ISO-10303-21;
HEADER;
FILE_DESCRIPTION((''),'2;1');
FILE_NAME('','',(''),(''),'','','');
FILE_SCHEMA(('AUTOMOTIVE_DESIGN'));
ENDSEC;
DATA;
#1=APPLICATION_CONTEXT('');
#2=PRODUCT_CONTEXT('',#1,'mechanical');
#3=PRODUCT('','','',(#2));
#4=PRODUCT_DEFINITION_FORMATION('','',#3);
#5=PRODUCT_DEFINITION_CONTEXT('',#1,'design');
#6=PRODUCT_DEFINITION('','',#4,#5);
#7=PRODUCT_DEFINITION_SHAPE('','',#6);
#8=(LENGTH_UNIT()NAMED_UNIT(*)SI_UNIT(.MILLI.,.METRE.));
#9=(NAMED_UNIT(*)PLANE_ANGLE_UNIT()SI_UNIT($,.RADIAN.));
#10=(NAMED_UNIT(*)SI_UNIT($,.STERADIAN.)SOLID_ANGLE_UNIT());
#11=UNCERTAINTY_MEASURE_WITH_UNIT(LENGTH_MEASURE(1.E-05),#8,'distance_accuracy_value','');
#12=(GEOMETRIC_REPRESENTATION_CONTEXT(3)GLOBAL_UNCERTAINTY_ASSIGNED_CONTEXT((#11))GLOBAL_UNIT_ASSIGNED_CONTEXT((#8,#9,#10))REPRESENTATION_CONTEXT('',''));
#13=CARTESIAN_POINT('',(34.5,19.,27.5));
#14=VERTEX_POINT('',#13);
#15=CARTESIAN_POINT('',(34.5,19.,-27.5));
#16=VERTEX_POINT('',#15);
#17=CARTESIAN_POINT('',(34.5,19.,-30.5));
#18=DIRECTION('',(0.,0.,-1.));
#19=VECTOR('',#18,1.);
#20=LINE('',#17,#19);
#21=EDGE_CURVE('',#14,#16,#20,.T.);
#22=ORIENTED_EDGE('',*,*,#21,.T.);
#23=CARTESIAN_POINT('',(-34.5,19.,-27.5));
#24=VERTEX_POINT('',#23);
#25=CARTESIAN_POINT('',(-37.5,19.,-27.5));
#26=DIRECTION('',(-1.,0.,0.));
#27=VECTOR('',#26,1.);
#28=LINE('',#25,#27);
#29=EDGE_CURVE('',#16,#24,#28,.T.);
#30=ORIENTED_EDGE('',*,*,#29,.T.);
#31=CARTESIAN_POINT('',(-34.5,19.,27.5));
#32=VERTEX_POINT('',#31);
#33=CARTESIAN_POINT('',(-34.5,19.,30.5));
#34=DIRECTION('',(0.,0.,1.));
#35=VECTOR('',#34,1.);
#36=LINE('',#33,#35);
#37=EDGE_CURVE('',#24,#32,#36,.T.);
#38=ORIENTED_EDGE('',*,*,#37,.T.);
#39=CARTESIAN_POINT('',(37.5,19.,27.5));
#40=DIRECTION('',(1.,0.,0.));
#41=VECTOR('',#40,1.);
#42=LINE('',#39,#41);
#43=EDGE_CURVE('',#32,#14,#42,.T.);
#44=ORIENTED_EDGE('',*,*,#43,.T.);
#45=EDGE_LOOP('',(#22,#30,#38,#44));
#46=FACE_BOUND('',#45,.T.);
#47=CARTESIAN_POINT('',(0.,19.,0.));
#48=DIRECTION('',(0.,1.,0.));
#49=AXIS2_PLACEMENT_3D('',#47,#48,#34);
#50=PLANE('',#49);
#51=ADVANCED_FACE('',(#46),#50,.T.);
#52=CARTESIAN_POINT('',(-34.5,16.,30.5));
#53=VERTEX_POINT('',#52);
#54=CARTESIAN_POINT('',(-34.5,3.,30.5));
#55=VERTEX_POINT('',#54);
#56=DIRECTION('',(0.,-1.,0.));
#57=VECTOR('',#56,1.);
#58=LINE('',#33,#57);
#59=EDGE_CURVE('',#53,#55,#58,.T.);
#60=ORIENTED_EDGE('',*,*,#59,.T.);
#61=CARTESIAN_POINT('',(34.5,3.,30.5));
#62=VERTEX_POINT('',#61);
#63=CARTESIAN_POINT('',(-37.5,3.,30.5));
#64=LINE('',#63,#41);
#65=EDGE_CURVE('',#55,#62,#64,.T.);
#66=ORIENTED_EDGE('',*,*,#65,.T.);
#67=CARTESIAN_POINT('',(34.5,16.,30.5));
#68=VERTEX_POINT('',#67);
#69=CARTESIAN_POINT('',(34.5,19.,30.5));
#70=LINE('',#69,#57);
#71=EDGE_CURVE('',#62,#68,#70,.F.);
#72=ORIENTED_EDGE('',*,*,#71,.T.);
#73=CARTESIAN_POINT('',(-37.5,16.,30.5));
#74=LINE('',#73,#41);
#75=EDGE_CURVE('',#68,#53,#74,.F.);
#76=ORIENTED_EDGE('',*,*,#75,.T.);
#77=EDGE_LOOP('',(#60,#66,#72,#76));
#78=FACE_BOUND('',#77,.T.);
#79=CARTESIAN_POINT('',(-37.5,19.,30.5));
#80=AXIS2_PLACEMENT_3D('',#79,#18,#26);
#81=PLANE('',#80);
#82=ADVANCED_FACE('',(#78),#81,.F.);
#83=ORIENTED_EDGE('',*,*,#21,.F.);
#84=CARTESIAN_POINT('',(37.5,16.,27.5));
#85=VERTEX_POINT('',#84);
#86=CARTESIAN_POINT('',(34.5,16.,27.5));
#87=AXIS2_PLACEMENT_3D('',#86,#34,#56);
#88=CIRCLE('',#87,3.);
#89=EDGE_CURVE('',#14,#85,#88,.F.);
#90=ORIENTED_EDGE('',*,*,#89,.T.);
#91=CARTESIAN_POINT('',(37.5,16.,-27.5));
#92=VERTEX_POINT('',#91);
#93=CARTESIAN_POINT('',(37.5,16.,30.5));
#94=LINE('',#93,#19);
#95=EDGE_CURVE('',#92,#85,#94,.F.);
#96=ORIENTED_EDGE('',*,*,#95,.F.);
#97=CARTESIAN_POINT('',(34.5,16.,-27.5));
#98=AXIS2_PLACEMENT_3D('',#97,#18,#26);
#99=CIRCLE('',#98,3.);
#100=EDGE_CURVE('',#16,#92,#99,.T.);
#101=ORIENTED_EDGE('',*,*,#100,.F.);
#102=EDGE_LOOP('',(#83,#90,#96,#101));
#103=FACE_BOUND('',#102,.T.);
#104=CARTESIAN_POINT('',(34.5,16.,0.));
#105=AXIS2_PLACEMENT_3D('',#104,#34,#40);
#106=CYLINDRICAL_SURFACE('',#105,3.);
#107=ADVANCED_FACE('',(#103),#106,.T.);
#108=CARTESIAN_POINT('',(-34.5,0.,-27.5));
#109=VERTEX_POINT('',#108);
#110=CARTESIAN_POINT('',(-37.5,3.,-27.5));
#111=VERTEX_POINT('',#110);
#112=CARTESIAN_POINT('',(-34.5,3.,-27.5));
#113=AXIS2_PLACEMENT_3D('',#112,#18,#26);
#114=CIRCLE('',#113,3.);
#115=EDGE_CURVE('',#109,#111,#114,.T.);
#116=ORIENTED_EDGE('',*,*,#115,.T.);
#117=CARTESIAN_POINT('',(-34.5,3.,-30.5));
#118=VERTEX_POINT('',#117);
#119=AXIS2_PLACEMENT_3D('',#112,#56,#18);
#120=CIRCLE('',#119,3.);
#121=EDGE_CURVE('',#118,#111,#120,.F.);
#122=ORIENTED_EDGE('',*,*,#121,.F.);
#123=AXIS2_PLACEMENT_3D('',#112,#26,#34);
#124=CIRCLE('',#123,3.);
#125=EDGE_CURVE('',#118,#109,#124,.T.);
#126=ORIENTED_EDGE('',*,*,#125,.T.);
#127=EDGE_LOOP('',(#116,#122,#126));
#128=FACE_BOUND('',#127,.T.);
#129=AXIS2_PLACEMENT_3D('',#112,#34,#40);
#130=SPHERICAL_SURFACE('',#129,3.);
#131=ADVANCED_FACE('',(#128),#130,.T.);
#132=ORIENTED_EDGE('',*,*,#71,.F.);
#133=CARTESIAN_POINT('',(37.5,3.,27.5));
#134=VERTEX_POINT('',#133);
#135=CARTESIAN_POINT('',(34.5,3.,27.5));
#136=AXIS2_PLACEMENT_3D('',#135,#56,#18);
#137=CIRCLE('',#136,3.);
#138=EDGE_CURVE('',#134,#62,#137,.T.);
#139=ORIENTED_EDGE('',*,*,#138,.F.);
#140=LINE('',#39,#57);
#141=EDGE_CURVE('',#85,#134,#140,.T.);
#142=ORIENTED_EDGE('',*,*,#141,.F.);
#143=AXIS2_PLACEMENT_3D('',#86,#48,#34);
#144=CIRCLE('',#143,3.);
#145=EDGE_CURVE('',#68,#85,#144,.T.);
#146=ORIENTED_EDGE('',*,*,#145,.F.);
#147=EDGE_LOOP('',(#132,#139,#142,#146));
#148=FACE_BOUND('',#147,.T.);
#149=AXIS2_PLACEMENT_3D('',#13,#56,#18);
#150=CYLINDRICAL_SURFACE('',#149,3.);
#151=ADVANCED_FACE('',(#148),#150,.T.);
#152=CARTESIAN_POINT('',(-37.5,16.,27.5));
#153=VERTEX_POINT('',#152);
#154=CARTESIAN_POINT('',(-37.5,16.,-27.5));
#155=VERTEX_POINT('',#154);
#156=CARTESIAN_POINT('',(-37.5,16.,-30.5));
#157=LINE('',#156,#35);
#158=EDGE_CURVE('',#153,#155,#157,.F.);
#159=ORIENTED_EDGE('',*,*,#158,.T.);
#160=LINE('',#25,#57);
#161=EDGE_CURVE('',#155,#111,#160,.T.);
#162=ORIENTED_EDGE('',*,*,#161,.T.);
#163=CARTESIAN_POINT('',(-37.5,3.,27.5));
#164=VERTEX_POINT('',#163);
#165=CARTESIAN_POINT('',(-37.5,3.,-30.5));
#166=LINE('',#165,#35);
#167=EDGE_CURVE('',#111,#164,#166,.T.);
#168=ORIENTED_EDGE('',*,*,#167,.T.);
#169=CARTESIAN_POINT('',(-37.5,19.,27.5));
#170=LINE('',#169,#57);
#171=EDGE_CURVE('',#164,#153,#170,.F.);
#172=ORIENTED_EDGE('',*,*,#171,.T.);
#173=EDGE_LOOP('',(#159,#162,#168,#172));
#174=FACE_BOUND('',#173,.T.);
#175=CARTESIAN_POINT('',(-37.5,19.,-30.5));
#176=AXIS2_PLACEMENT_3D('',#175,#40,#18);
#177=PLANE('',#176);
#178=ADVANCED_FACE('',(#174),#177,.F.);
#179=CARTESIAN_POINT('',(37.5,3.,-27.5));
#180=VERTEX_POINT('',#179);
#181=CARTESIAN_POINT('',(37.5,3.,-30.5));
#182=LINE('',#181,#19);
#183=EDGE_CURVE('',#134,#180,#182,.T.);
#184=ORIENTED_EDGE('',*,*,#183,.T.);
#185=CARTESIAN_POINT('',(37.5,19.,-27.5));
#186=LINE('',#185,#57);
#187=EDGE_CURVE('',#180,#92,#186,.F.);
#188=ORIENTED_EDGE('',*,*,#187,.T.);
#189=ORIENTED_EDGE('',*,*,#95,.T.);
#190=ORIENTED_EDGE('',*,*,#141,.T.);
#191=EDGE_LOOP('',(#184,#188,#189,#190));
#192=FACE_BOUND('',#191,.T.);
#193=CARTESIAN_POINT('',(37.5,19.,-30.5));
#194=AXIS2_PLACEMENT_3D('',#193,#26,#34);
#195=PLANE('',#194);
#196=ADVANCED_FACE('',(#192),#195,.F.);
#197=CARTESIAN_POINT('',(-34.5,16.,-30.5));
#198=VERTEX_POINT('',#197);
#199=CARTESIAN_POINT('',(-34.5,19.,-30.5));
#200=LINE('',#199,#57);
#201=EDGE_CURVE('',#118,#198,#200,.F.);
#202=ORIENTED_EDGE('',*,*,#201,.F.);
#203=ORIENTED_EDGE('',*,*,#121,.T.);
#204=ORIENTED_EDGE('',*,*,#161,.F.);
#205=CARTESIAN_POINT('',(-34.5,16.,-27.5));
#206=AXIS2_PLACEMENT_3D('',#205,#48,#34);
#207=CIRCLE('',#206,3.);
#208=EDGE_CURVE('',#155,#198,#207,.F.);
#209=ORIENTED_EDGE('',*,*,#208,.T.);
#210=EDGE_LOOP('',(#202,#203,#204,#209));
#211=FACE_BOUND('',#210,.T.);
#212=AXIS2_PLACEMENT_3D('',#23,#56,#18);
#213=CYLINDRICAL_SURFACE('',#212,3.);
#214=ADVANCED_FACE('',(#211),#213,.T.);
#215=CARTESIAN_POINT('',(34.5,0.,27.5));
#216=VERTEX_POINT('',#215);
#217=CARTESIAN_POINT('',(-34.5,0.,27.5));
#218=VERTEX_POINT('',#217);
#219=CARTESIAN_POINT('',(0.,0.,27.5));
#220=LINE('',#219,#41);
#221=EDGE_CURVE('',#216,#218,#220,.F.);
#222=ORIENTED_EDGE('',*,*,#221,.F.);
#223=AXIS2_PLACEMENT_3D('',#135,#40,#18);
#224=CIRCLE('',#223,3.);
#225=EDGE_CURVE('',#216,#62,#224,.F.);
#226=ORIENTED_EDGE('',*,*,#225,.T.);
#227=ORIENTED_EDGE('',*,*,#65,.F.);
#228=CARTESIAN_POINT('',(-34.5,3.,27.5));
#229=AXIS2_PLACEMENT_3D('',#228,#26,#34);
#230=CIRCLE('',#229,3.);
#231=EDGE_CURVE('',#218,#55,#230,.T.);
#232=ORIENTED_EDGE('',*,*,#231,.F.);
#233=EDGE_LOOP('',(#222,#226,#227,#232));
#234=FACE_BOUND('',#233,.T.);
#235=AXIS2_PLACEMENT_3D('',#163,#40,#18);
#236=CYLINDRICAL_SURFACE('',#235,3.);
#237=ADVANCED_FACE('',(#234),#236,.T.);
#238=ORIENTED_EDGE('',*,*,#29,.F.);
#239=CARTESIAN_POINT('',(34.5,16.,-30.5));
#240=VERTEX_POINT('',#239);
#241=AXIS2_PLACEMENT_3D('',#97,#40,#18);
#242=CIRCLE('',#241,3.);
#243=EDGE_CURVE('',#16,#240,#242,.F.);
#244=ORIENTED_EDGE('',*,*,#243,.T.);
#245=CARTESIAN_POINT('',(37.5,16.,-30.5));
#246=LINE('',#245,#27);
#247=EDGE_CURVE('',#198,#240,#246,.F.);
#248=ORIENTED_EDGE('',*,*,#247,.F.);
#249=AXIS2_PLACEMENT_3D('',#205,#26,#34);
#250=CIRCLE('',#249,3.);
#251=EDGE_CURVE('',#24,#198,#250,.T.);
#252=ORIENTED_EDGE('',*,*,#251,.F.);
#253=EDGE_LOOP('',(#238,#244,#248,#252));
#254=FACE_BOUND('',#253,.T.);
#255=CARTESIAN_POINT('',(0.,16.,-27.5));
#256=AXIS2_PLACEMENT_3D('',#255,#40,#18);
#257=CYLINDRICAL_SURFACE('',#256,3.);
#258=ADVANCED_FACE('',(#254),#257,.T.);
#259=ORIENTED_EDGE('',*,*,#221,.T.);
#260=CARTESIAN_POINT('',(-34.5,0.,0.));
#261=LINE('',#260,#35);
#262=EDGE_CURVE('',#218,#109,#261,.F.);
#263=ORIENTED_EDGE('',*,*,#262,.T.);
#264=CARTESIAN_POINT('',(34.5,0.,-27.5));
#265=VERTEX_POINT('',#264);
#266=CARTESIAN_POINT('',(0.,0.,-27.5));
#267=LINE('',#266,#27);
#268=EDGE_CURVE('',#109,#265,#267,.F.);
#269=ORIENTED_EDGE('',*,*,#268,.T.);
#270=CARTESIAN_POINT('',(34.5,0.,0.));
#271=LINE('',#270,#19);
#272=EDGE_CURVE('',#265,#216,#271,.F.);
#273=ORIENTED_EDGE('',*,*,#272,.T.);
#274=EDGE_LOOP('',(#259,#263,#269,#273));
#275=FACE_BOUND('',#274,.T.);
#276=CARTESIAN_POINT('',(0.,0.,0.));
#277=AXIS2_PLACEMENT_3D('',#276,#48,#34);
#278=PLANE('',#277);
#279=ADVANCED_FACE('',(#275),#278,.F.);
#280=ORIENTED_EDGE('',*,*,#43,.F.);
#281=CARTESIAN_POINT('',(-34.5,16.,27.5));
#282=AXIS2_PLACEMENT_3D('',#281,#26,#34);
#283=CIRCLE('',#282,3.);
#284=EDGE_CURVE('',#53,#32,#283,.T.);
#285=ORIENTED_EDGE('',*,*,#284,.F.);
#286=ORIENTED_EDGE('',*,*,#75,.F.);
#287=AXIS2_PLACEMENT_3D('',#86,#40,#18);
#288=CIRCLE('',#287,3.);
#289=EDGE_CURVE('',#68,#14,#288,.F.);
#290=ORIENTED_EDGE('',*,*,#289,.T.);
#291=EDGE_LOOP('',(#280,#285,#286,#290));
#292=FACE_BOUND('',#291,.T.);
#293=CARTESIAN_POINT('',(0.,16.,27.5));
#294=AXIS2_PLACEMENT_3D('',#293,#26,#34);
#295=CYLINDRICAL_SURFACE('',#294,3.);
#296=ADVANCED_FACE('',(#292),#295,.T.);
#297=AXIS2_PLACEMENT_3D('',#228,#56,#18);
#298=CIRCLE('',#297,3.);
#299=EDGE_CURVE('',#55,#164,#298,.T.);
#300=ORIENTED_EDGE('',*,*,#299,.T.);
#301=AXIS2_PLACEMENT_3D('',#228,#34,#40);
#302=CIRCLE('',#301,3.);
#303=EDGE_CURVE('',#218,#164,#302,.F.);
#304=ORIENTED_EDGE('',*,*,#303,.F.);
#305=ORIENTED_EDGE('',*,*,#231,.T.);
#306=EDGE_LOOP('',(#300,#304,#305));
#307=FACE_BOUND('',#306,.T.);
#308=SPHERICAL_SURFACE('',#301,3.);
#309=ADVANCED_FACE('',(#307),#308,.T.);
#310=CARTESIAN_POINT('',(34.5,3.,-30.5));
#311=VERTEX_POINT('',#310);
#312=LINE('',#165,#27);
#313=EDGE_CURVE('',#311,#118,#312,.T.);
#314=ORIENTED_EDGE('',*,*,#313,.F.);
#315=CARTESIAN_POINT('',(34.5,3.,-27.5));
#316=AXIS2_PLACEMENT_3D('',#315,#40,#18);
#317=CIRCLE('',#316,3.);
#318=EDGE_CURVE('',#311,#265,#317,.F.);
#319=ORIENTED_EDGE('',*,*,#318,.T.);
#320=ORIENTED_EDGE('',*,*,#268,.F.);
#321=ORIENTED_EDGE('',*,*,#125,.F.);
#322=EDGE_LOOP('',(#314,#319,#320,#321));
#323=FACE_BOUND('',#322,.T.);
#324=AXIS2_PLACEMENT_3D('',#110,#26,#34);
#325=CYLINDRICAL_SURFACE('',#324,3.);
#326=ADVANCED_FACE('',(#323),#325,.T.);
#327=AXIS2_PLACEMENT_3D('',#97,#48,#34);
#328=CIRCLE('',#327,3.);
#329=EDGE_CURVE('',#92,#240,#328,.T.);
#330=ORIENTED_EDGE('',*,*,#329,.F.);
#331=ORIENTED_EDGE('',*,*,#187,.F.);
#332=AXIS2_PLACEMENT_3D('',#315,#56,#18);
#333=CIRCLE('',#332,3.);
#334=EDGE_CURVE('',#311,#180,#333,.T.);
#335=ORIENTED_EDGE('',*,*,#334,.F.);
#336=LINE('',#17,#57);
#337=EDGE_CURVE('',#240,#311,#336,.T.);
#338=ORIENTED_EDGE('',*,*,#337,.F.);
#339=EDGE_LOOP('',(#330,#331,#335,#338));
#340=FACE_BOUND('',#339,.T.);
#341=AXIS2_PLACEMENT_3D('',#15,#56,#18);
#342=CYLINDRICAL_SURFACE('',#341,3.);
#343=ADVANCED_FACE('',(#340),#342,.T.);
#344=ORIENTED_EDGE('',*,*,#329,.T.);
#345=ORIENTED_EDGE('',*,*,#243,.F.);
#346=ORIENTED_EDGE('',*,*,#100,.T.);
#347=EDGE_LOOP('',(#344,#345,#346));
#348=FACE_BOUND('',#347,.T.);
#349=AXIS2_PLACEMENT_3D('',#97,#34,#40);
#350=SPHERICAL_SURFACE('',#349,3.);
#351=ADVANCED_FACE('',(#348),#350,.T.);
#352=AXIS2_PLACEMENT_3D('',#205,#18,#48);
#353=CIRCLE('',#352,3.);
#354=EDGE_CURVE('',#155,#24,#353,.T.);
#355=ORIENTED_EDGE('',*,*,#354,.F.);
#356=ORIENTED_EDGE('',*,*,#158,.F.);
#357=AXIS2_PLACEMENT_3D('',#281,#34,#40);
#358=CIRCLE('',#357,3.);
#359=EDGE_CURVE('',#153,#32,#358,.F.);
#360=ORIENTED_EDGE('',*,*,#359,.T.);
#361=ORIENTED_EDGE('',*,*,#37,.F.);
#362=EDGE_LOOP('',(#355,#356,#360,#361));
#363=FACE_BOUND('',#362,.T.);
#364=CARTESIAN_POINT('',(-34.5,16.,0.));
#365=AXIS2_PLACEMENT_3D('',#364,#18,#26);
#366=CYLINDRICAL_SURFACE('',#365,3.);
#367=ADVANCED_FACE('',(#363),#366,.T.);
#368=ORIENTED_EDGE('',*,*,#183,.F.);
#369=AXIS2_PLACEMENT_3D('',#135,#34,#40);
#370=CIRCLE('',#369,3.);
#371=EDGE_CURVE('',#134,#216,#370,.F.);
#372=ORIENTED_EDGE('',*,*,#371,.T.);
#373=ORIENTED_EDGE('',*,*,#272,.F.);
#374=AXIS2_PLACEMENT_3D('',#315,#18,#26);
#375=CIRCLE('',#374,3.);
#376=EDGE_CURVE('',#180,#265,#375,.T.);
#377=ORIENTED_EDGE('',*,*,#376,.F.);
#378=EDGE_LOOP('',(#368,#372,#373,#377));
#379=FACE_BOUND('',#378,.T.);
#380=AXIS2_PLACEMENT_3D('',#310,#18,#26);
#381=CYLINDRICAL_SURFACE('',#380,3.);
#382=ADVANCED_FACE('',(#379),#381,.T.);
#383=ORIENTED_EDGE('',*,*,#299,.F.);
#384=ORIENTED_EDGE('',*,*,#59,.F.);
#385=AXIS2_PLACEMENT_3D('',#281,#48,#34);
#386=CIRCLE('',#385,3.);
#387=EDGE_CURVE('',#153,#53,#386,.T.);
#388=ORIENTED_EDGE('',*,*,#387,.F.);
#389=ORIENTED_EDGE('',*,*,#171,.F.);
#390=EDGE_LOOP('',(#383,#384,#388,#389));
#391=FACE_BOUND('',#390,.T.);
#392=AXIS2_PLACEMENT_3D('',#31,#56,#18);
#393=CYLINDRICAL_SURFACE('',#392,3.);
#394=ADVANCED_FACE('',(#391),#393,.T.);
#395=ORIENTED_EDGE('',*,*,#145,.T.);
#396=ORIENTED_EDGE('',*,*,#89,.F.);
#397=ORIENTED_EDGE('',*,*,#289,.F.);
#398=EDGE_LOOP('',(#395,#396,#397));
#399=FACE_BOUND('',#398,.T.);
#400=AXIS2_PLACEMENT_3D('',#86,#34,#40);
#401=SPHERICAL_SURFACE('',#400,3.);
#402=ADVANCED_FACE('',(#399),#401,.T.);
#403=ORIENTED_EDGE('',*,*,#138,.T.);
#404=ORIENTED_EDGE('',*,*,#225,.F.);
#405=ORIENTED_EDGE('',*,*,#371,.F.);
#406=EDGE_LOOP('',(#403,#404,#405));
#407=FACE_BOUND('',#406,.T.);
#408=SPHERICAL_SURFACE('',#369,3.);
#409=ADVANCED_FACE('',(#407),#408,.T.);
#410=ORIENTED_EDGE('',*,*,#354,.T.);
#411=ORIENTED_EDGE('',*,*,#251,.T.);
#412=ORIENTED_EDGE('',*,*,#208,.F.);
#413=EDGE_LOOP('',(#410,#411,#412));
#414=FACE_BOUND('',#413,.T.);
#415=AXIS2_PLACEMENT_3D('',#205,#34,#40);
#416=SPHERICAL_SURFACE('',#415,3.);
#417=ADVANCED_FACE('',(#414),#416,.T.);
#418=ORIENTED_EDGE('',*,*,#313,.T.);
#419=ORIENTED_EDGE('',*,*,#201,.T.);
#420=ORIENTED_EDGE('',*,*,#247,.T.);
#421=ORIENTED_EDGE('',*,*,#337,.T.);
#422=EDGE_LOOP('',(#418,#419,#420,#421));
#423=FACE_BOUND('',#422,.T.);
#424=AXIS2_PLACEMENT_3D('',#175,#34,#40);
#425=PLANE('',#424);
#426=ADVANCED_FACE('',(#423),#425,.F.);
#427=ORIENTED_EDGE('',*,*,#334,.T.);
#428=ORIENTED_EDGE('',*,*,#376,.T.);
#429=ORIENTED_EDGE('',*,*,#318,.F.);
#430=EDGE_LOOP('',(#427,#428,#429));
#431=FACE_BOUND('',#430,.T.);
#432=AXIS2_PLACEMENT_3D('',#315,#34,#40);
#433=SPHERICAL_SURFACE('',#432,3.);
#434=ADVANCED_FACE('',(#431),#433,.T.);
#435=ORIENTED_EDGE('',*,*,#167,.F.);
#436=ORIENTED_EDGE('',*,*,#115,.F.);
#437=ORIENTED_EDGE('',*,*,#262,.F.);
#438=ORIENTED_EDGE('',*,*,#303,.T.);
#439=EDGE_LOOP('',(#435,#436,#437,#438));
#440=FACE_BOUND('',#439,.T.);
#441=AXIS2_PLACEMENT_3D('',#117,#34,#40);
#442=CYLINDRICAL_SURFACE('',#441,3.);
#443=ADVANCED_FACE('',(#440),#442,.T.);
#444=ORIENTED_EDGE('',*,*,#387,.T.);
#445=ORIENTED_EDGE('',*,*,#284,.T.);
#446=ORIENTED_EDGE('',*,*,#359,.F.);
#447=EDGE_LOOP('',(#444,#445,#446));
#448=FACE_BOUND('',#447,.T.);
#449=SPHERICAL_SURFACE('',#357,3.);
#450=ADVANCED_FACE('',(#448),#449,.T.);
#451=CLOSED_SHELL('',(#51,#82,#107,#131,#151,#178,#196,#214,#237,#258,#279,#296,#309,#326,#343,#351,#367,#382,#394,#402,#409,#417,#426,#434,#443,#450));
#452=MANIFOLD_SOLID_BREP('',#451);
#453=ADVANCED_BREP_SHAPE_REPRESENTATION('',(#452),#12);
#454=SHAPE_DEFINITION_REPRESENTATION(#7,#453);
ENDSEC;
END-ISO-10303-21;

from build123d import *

# Parameters (mm, degrees)
SKETCH1_W           = 75
SKETCH1_H           = 61
BOSS_EXTRUDE1_DEPTH = 19
FILLET1_R           = 3


with BuildPart() as part:
    # Sketch1 → Boss-Extrude1 (new body)
    with BuildSketch(Plane(origin=(0, 0, 0), x_dir=(1, 0, 0), z_dir=(0, 1, 0))):
        Rectangle(SKETCH1_W, SKETCH1_H)
    extrude(amount=BOSS_EXTRUDE1_DEPTH)

    # Fillet1
    fillet1_edges = [part.edges().sort_by_distance(p)[0] for p in [
        (37.5, 19, 0),
        (0, 19, -30.5),
        (-37.5, 19, 0),
        (0, 0, -30.5),
        (37.5, 0, 0),
        (0, 0, 30.5),
        (-37.5, 0, 0),
        (-37.5, 9.5, -30.5),
        (37.5, 9.5, -30.5),
        (37.5, 9.5, 30.5),
        (-37.5, 9.5, 30.5),
        (0, 19, 30.5),
    ]]
    fillet(fillet1_edges, radius=FILLET1_R)


solid = part.part
